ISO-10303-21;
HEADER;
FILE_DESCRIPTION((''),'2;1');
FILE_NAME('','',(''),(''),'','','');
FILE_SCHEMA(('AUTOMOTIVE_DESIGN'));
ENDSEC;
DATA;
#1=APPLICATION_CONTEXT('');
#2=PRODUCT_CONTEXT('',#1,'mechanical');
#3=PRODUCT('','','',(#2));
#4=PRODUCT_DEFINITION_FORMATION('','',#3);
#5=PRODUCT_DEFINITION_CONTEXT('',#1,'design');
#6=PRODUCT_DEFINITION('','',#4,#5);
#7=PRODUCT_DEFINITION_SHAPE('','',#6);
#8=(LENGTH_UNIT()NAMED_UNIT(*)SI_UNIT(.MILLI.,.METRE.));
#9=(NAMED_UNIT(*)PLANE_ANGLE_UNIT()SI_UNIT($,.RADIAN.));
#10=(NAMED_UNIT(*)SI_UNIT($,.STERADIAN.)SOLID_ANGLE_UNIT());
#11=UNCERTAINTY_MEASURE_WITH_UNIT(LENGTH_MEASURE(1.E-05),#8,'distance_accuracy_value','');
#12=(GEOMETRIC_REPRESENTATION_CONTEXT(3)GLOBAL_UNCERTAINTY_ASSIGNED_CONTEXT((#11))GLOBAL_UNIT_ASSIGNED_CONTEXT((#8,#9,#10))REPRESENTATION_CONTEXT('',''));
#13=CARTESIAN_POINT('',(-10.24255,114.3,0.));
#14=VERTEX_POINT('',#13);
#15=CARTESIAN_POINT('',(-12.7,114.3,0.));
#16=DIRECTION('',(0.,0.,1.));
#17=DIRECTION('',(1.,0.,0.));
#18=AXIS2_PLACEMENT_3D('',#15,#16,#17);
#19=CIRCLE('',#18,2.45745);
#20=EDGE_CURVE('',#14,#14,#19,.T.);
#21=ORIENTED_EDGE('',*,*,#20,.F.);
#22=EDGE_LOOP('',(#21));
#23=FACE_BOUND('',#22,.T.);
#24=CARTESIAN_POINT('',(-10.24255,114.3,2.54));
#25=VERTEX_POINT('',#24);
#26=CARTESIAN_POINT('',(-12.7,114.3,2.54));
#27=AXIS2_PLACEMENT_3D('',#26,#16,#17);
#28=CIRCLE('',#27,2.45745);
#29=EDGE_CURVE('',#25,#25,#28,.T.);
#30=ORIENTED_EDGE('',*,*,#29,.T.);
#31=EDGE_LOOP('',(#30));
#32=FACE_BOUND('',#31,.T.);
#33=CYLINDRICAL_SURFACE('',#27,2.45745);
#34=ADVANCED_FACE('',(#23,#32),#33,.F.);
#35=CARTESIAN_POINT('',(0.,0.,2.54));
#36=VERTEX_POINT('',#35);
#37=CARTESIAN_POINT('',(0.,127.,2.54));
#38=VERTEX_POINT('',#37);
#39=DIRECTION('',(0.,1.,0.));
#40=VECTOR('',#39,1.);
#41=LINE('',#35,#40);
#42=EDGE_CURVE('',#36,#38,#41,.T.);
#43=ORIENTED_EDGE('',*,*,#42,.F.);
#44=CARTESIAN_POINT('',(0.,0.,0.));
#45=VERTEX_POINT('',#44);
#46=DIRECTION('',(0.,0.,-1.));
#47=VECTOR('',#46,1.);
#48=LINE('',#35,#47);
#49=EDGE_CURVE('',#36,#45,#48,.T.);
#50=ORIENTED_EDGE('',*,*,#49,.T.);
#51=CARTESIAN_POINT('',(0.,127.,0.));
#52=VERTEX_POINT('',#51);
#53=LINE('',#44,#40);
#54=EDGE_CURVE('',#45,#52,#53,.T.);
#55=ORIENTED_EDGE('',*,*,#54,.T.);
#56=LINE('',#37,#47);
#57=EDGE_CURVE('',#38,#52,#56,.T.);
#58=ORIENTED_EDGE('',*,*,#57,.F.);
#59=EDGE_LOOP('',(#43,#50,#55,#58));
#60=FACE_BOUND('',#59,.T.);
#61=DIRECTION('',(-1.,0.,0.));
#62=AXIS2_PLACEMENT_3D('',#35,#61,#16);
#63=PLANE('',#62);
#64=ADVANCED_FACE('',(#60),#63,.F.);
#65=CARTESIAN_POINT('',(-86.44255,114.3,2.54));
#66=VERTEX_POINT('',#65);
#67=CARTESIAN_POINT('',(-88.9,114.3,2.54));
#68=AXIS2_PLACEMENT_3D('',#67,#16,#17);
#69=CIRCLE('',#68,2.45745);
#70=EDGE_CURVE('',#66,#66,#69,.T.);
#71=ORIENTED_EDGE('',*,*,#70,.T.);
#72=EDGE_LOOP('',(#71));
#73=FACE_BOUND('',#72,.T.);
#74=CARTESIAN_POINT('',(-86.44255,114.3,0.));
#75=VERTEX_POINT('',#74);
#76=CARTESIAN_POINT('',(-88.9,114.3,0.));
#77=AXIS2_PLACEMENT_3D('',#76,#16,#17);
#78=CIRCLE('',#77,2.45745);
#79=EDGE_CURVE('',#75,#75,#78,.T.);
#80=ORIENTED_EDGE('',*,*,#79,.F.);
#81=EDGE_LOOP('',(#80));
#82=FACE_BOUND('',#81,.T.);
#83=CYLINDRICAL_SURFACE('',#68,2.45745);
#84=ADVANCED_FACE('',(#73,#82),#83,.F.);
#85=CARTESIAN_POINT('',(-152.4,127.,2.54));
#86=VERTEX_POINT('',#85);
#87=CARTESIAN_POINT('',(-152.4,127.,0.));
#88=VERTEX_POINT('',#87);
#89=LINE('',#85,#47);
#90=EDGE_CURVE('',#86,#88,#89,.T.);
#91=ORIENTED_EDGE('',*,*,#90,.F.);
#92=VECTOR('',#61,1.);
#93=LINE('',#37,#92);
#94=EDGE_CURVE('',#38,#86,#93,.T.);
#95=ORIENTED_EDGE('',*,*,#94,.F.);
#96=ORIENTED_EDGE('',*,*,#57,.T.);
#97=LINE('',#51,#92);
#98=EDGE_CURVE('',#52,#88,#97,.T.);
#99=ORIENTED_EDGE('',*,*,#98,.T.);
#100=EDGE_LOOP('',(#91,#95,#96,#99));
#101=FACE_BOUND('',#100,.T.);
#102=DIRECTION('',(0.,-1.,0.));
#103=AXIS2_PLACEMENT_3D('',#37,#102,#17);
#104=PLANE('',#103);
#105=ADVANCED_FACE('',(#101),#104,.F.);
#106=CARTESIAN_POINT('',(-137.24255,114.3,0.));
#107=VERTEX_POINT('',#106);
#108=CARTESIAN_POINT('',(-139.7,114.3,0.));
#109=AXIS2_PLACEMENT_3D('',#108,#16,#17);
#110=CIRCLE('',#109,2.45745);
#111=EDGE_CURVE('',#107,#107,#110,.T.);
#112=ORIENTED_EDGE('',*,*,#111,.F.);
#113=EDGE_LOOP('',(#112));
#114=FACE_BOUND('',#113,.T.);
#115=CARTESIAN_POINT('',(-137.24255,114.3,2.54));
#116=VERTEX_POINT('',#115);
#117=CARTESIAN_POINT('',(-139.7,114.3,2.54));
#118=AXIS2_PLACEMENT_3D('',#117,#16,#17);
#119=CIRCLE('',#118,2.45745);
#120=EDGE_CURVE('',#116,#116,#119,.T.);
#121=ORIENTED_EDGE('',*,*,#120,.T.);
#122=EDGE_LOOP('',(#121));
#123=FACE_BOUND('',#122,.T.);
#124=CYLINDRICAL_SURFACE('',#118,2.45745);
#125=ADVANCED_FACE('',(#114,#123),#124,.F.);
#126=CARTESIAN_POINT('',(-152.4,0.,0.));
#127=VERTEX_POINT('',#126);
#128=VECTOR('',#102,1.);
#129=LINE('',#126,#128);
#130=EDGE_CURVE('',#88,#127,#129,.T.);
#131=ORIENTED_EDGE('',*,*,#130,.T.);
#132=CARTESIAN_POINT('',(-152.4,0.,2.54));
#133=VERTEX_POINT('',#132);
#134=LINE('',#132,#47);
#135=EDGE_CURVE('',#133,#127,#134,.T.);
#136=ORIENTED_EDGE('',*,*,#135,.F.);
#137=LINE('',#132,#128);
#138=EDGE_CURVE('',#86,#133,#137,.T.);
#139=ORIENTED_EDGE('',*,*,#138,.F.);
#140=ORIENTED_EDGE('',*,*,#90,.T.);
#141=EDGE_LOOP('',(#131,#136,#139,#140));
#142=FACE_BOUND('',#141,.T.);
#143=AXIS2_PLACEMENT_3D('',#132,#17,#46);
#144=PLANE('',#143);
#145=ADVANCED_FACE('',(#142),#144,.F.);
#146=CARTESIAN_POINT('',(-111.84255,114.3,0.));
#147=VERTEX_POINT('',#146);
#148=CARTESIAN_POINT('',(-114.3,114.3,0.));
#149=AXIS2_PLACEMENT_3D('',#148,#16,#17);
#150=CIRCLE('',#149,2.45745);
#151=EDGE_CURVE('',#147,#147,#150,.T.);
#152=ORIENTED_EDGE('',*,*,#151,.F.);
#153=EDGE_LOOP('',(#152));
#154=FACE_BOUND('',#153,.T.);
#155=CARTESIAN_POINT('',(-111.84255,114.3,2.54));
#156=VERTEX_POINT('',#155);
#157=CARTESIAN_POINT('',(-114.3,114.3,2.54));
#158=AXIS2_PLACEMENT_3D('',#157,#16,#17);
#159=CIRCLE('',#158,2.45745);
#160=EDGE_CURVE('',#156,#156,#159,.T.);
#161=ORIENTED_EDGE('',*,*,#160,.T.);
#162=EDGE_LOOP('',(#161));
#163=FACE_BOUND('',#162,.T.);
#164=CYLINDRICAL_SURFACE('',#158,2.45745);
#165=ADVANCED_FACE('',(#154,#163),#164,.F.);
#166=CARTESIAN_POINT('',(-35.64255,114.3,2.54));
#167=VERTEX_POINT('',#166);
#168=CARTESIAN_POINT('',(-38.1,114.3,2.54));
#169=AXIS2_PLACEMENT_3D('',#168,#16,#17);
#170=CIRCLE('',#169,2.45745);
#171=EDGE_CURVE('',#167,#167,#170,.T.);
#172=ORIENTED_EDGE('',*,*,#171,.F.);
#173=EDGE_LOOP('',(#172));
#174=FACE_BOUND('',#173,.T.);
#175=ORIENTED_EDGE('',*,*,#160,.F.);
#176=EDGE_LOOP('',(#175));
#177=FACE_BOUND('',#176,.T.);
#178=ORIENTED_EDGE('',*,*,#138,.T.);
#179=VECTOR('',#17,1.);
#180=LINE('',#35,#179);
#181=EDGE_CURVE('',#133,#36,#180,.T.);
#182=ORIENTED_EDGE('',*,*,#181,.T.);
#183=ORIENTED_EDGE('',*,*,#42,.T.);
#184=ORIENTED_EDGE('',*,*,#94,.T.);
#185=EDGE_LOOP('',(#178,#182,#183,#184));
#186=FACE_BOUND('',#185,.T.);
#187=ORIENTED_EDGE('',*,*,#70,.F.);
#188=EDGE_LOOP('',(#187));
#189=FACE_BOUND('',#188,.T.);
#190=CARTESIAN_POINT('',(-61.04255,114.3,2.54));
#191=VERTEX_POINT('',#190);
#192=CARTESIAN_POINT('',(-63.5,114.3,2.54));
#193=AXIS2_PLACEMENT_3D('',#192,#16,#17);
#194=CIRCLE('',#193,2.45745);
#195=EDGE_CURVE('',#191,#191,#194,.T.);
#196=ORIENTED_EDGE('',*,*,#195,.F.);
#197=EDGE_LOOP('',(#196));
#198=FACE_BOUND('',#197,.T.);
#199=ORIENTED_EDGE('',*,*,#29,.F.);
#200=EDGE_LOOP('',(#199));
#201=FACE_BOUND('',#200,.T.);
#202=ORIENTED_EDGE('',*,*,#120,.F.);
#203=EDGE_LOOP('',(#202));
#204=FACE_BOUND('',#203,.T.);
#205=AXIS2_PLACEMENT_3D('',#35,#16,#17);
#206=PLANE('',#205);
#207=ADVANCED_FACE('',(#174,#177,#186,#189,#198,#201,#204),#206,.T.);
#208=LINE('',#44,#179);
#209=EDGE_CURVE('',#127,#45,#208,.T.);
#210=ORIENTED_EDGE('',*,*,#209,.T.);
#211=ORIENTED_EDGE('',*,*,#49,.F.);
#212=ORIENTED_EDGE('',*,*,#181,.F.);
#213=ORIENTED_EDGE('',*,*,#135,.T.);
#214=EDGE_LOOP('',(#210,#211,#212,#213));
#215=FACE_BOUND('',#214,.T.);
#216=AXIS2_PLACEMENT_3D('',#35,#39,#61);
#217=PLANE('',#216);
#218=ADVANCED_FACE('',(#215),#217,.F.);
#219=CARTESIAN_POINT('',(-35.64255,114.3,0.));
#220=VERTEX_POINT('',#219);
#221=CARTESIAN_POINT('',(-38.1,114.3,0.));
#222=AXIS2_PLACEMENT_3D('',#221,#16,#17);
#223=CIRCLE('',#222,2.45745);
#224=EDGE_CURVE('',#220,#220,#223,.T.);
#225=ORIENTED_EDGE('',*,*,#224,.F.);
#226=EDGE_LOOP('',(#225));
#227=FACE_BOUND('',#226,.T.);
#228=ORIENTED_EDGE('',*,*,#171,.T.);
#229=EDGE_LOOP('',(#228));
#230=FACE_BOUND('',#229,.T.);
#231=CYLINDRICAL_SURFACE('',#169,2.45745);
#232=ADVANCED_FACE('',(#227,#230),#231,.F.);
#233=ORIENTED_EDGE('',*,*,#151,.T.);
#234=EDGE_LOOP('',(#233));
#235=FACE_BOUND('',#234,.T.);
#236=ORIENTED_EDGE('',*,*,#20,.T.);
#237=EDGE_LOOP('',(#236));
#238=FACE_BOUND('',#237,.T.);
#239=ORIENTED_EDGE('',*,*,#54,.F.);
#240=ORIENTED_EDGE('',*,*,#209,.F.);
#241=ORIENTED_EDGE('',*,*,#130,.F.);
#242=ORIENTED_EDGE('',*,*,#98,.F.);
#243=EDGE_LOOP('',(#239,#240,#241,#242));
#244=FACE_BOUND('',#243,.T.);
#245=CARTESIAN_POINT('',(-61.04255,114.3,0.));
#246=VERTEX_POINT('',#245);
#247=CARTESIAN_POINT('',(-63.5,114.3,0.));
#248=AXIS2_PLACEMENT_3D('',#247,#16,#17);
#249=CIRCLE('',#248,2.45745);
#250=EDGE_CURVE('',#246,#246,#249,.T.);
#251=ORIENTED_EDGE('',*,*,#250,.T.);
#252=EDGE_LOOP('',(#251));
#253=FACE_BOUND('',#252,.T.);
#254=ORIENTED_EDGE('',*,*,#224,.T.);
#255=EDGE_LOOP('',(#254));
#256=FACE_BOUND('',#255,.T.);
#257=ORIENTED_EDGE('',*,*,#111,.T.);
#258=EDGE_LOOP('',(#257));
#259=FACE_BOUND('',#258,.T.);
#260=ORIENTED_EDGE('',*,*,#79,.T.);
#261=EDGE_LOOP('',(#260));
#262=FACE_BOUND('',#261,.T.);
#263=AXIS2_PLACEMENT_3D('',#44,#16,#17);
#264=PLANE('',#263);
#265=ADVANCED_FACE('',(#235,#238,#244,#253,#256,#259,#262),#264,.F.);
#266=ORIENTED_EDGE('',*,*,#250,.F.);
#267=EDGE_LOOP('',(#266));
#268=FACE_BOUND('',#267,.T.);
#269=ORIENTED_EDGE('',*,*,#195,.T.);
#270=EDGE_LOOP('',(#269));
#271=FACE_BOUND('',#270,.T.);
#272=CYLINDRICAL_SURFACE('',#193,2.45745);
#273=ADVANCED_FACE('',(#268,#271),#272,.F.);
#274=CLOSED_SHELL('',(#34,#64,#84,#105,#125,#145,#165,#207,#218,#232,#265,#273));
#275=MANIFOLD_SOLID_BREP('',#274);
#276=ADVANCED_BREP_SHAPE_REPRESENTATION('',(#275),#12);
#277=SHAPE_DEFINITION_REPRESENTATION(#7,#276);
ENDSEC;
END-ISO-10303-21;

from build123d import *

# Parameters (mm, degrees)
SKETCH1_W                    = 152.4
SKETCH1_H                    = 127
BOSS_EXTRUDE1_DEPTH          = 2.54
F_10_0_1935_DIAMETER_HOLE1_D = 4.9149


with BuildPart() as part:
    # Sketch1 → Boss-Extrude1 (new body)
    with BuildSketch(Plane.XY):
        with Locations((-76.2, 63.5)):
            Rectangle(SKETCH1_W, SKETCH1_H)
    extrude(amount=BOSS_EXTRUDE1_DEPTH)

    # #10 (0.1935) Diameter Hole1 (through all)
    with Locations(Plane.XY.offset(2.54)):
        with Locations((-139.7, 114.3), (-114.3, 114.3), (-88.9, 114.3), (-63.5, 114.3), (-38.1, 114.3), (-12.7, 114.3)):
            Hole(F_10_0_1935_DIAMETER_HOLE1_D / 2)


solid = part.part
